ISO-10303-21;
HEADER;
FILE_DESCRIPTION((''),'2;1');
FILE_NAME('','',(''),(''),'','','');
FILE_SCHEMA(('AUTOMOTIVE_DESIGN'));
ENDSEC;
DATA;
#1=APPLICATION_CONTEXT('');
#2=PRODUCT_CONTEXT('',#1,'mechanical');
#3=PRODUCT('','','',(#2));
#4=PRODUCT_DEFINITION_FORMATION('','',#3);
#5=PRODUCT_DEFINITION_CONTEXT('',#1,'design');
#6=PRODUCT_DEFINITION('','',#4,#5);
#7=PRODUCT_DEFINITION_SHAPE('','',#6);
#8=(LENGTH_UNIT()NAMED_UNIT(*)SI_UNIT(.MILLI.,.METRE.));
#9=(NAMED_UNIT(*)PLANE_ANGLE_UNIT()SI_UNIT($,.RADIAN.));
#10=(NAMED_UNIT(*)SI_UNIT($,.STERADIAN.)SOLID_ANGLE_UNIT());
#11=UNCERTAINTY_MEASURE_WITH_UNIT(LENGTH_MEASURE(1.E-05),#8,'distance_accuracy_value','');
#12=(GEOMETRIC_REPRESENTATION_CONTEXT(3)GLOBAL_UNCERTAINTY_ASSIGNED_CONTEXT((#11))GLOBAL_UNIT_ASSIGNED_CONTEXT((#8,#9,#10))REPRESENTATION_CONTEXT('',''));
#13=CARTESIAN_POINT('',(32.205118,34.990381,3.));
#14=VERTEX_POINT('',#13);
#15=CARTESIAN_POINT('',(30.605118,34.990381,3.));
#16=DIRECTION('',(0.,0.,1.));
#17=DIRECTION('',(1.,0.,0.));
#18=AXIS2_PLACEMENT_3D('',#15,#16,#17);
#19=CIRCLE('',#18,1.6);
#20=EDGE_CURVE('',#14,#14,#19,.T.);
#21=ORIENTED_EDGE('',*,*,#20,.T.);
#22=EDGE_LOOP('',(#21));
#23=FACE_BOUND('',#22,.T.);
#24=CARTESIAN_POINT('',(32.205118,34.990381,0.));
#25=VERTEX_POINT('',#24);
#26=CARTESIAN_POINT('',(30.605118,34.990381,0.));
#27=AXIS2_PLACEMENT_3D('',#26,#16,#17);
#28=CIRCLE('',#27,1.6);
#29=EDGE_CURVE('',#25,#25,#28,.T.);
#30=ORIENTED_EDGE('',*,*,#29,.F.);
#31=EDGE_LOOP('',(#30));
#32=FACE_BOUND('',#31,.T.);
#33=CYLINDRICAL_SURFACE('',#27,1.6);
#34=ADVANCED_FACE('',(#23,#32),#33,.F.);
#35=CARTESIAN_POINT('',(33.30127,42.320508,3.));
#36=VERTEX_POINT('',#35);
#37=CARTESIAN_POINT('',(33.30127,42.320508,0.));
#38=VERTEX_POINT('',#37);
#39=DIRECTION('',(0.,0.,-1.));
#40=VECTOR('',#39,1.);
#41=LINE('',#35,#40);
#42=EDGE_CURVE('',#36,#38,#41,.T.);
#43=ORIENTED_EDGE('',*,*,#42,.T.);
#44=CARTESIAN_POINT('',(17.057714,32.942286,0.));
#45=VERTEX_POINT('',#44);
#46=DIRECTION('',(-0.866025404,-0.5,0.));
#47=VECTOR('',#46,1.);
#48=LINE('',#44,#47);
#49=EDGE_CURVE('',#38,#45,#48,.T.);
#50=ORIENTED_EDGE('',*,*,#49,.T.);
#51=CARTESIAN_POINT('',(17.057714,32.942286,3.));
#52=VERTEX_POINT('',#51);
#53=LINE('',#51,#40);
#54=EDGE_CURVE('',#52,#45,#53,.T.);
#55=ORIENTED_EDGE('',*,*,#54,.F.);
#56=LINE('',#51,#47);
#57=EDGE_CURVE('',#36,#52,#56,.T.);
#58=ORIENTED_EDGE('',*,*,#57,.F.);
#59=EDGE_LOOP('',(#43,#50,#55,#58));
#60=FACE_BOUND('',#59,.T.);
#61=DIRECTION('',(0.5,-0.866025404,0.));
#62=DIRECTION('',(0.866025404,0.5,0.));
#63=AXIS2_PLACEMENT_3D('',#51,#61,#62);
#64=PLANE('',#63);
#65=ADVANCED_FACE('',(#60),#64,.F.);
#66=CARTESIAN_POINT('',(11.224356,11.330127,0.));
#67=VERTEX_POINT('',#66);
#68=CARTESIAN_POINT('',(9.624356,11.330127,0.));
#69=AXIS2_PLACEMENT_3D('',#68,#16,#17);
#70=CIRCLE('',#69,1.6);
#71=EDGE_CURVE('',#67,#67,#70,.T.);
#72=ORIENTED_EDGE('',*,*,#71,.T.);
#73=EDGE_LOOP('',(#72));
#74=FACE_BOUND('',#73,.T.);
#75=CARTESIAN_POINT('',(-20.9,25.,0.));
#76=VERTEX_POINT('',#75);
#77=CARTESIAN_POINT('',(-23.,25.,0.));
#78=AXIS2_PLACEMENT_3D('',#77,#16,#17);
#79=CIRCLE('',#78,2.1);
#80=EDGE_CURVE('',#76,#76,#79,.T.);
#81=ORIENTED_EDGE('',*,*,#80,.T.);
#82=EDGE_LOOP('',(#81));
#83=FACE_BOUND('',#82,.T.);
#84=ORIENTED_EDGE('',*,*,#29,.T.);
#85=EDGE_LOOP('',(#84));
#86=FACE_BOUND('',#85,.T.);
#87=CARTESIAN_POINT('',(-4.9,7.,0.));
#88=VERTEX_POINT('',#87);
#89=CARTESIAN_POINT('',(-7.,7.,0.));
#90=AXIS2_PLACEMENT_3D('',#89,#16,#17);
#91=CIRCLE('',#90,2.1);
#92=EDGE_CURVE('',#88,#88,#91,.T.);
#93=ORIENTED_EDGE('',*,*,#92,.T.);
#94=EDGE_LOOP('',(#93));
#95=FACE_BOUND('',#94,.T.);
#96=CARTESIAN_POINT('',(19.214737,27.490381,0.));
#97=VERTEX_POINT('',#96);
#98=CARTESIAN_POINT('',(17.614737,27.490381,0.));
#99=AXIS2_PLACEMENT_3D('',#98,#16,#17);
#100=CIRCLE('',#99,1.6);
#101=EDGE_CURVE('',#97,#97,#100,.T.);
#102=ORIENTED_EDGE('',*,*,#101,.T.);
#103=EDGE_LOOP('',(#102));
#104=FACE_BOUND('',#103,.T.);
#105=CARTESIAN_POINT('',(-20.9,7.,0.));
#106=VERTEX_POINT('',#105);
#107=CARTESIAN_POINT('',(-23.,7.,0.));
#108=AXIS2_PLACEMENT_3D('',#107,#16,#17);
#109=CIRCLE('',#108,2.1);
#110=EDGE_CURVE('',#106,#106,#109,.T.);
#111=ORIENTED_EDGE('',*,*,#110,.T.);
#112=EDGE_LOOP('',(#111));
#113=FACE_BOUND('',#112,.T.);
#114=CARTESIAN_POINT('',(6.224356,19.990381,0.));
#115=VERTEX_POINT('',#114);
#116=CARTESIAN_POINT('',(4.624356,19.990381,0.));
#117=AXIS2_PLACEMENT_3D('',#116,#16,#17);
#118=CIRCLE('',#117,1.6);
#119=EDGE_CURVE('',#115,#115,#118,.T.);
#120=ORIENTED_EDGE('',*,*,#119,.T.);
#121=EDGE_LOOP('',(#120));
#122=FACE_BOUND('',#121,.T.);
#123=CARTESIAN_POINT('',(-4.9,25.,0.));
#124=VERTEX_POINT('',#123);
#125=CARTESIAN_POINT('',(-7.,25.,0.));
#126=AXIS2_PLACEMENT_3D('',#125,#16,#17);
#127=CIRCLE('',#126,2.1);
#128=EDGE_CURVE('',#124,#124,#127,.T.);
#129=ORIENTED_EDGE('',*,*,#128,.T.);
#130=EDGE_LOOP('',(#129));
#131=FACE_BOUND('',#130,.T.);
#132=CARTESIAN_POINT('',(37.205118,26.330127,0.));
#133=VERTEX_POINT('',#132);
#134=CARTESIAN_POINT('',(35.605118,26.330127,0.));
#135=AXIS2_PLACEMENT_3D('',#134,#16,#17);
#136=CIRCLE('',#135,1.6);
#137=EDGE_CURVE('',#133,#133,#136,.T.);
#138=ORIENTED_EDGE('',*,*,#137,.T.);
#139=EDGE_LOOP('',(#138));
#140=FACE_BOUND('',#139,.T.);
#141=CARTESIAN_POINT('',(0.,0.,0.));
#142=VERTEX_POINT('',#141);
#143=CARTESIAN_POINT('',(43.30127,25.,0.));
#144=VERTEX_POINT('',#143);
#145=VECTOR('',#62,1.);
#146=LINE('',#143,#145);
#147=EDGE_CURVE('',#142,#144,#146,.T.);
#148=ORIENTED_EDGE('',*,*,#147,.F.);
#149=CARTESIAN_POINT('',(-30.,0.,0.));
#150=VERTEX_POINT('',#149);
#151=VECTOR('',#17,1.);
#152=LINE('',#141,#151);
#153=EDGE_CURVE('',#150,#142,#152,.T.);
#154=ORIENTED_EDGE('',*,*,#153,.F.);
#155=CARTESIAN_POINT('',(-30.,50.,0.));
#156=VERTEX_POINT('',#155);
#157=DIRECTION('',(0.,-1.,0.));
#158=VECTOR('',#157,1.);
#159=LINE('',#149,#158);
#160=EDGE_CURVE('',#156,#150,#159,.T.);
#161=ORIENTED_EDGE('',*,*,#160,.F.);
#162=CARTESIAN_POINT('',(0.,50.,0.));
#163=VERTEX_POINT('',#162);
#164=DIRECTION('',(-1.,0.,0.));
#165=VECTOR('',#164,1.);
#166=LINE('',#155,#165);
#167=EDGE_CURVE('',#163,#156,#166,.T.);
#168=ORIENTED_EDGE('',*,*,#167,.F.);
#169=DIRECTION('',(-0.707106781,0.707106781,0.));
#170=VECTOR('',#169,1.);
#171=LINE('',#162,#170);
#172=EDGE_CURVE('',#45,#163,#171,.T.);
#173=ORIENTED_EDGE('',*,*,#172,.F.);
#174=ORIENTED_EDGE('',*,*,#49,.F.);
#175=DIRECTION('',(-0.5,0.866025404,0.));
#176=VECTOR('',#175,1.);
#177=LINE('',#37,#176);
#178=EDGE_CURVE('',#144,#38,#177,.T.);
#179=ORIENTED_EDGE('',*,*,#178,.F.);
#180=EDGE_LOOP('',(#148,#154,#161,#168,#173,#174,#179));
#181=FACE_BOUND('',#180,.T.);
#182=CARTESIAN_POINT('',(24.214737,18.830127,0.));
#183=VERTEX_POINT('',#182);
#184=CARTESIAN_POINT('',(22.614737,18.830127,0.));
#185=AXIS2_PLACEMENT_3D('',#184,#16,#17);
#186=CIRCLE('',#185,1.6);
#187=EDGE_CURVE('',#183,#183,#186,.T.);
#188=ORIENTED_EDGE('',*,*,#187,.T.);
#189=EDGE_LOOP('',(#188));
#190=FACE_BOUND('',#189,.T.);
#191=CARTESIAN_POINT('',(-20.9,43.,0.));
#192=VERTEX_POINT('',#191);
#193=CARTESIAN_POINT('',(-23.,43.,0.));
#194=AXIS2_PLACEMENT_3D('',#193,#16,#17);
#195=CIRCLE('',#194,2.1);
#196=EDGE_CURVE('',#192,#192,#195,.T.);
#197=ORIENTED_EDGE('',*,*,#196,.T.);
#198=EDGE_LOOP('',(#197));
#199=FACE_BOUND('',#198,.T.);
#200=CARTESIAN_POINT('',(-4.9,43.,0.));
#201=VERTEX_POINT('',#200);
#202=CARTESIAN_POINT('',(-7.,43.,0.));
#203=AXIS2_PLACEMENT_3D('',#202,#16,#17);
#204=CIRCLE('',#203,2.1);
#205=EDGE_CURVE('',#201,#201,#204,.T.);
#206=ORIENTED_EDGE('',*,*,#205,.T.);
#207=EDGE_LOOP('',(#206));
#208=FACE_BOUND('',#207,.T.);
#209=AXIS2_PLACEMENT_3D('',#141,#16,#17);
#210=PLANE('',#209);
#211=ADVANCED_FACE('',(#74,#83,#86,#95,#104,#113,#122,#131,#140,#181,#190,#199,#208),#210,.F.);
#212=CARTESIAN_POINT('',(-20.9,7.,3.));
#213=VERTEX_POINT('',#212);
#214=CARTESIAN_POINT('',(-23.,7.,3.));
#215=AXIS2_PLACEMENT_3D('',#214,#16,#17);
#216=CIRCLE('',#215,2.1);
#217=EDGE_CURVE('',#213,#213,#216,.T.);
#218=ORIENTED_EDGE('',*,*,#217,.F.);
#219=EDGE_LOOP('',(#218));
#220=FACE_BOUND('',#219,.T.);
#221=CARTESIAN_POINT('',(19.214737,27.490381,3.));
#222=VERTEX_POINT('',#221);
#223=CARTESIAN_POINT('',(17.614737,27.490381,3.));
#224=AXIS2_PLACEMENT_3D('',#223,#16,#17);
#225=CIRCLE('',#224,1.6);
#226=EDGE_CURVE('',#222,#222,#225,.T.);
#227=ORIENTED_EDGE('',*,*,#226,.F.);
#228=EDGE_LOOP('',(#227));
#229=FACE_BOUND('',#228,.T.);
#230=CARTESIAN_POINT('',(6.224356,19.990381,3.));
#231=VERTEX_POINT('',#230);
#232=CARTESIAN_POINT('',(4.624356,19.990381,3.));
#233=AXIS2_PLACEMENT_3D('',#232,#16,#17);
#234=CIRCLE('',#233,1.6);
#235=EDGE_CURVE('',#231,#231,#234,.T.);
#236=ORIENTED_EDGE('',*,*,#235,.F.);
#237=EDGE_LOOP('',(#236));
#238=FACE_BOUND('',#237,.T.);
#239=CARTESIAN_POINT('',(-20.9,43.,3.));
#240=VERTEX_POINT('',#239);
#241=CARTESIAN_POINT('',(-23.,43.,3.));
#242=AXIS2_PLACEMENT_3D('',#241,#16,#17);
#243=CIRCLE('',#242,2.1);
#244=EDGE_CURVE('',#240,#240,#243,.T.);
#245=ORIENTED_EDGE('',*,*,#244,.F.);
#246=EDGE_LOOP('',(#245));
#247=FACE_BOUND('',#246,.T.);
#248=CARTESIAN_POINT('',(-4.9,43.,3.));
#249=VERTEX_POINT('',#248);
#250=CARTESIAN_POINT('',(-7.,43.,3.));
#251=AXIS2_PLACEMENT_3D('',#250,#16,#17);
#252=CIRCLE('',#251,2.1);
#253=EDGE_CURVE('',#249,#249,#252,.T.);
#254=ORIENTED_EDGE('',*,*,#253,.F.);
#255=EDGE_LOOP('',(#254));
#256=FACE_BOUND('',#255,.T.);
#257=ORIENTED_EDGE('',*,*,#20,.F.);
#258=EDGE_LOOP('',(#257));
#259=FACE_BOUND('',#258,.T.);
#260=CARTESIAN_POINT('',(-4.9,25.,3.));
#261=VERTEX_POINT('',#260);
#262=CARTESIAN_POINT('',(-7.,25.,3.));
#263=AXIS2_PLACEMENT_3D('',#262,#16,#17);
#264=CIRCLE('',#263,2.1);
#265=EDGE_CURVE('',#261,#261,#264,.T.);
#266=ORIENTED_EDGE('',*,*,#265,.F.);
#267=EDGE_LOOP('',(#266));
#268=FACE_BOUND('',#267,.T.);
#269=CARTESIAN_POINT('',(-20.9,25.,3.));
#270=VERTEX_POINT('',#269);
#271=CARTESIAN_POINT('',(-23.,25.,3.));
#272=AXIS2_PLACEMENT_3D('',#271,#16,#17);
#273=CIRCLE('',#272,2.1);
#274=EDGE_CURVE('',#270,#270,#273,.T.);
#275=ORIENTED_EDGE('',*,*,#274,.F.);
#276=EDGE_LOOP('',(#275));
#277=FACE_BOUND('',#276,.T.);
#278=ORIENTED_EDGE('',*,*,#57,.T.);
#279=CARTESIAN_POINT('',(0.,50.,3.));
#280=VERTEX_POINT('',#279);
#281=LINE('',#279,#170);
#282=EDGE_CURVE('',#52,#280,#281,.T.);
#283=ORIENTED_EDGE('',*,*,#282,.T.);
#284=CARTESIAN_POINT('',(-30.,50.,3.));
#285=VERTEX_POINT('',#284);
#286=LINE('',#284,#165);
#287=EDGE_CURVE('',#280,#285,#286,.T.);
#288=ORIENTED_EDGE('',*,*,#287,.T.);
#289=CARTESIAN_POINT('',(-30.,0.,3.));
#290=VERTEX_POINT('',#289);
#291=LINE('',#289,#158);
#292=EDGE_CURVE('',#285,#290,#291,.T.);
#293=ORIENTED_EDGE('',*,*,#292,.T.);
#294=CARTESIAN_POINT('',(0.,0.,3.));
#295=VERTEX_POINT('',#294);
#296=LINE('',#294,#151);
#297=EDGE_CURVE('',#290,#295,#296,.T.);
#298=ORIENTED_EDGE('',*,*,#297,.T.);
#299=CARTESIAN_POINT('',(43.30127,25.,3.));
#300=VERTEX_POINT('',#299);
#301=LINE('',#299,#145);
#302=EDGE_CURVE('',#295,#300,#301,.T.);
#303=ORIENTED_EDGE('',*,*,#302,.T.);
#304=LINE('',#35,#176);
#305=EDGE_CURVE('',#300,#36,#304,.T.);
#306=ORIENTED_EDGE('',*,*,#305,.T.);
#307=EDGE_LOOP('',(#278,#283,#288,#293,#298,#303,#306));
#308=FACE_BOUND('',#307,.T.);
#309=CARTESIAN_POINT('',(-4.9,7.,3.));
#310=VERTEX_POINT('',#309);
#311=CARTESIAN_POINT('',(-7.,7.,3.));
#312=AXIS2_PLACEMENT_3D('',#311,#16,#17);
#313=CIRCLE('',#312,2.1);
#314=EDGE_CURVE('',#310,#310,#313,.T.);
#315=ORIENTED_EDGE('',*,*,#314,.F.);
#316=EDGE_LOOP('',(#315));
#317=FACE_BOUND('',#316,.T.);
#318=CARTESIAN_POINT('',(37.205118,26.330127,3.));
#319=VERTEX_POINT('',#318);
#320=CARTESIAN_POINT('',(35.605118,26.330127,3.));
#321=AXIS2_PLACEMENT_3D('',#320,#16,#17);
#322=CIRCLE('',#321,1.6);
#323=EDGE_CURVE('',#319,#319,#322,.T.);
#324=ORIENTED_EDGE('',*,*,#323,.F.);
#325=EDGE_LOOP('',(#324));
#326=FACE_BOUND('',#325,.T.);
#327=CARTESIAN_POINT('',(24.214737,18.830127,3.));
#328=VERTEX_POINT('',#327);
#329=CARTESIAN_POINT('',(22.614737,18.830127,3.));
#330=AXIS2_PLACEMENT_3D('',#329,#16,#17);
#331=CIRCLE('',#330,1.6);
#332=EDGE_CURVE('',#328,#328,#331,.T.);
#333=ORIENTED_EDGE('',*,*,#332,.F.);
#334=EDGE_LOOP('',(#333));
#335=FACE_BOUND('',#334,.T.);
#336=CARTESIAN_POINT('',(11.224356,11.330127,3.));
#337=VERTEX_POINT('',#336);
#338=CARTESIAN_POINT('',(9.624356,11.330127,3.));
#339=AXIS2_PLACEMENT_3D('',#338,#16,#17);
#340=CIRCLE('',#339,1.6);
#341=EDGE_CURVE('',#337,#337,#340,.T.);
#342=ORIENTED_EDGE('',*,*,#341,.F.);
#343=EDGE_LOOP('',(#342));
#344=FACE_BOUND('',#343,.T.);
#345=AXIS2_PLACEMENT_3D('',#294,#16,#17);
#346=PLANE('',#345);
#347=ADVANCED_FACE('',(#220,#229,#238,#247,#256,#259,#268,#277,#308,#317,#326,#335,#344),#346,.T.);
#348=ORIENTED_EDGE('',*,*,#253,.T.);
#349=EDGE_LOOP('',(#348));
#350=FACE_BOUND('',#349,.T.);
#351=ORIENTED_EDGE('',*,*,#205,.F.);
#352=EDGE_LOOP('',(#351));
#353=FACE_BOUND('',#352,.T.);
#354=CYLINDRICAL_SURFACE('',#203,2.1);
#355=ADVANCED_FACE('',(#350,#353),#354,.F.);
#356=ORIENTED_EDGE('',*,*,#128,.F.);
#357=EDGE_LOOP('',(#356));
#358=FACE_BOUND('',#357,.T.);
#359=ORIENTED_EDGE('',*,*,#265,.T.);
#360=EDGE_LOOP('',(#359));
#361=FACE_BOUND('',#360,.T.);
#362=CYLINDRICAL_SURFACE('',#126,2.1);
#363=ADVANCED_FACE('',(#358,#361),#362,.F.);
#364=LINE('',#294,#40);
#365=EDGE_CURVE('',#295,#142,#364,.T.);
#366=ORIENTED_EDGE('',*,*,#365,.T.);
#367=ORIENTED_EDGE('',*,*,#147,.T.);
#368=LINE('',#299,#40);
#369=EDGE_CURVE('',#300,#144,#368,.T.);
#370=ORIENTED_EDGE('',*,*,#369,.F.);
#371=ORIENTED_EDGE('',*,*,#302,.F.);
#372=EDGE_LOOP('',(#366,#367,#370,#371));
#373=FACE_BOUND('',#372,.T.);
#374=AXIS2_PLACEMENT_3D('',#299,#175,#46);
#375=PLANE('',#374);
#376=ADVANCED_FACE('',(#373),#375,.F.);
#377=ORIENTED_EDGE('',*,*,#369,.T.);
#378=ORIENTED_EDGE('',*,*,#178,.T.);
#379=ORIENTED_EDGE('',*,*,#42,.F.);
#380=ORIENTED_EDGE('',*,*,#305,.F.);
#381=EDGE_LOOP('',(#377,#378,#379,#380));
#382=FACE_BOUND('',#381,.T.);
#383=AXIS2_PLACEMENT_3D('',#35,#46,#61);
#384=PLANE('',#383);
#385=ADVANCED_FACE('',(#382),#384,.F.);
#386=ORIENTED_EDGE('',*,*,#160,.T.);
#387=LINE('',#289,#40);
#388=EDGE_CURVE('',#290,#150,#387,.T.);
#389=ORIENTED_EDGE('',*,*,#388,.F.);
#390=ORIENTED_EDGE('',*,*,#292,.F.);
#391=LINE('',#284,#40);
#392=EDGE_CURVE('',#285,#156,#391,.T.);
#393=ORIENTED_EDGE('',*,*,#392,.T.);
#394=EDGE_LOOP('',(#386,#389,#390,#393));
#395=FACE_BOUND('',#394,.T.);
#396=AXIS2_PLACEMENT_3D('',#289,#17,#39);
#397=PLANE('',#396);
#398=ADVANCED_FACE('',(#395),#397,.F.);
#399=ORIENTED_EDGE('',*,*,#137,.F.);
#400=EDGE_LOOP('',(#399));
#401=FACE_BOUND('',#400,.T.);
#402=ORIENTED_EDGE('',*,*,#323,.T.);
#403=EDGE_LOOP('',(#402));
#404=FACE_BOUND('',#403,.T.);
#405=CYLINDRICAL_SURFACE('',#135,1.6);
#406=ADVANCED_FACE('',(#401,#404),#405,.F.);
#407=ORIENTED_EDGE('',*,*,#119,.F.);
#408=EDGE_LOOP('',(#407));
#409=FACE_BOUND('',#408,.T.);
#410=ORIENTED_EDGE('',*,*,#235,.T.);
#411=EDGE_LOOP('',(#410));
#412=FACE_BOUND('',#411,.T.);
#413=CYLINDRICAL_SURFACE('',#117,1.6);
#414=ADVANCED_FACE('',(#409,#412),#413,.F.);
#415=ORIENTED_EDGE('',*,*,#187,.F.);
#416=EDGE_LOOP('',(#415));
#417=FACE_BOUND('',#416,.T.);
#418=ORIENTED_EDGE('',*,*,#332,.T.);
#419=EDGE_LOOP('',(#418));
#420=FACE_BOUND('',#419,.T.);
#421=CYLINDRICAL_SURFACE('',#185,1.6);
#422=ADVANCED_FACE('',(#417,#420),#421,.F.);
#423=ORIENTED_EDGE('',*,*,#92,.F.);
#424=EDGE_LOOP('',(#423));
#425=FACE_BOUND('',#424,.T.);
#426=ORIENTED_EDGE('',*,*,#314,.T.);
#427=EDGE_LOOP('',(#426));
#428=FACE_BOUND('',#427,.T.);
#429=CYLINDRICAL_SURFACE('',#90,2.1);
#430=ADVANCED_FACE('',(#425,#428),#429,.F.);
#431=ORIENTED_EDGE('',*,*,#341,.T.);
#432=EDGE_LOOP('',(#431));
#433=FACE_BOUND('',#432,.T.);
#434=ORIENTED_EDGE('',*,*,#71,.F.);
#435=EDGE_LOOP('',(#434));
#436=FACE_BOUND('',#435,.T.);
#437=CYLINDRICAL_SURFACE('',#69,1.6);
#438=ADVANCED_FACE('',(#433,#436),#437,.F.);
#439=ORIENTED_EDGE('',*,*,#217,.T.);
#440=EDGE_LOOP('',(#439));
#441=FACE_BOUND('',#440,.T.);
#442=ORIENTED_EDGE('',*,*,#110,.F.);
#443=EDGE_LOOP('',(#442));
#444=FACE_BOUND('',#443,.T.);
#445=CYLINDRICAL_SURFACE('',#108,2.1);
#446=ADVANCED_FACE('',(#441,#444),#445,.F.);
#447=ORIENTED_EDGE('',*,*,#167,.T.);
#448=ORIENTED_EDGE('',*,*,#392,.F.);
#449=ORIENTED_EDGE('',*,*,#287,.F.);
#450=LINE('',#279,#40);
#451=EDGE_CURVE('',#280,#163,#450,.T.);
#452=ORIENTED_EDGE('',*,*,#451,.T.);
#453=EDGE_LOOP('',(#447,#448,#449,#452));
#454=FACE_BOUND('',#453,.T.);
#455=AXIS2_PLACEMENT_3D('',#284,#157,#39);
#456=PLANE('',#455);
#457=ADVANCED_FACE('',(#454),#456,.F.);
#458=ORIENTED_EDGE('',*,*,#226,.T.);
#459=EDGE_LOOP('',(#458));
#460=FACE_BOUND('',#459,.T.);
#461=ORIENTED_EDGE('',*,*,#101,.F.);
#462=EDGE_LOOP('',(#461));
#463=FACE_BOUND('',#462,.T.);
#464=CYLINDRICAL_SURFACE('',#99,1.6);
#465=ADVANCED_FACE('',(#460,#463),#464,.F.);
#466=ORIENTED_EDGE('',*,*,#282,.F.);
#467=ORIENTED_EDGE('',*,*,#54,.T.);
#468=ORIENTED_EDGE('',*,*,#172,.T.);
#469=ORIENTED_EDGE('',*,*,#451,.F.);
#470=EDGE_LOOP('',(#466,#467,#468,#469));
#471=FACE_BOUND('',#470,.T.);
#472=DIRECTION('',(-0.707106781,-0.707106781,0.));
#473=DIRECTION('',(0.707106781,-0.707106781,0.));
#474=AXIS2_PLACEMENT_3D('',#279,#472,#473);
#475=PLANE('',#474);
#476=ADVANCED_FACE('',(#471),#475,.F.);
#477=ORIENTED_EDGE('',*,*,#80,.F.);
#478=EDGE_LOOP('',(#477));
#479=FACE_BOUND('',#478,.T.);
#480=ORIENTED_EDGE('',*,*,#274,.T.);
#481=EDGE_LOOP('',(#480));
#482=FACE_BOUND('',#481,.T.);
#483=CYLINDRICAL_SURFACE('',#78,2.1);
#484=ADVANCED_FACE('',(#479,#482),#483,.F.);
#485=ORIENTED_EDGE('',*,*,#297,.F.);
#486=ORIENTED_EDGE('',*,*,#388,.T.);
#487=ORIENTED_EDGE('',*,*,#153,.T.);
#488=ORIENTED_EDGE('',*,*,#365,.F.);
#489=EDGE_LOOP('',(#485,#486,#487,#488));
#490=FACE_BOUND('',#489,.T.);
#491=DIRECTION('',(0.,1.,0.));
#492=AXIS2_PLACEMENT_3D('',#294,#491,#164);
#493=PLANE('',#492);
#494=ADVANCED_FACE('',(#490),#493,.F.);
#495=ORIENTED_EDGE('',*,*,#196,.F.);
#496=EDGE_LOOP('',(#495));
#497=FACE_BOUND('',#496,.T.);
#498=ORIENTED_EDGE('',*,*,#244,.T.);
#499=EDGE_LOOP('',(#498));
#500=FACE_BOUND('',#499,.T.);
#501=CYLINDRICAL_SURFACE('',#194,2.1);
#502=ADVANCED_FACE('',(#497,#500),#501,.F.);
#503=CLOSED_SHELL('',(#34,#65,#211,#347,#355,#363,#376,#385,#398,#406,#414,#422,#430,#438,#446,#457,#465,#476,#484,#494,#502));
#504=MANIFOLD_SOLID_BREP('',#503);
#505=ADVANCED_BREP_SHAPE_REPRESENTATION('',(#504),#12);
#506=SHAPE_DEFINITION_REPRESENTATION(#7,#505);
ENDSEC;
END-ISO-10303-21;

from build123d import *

# Parameters (mm, degrees)
EXTRUDE_1_DEPTH     = 3
SKETCH_2_R          = 2.1
SKETCH_2_R_2        = 1.6
CUT_EXTRUDE_1_DEPTH = 67.211781429


with BuildPart() as part:
    # 草图1 → 凸台-拉伸1 (new body)
    with BuildSketch(Plane.XY):
        Polygon((0, 0), (-30, 0), (-30, 50), (0, 50), (17.057713659, 32.942286341), (33.301270189, 42.320508076), (43.301270189, 25), align=None)
    extrude(amount=EXTRUDE_1_DEPTH)

    # 草图2 → 切除-拉伸1 (cut, through all)
    with BuildSketch(Plane.XY.offset(3)):
        with Locations((-23, 43)):
            Circle(SKETCH_2_R)
        with Locations((-7, 43)):
            Circle(SKETCH_2_R)
        with Locations((-23, 7)):
            Circle(SKETCH_2_R)
        with Locations((-7, 7)):
            Circle(SKETCH_2_R)
        with Locations((-23, 25)):
            Circle(SKETCH_2_R)
        with Locations((-7, 25)):
            Circle(SKETCH_2_R)
        with Locations((30.605117767, 34.990381057)):
            Circle(SKETCH_2_R_2)
        with Locations((35.605117767, 26.330127019)):
            Circle(SKETCH_2_R_2)
        with Locations((22.61473671, 18.830127019)):
            Circle(SKETCH_2_R_2)
        with Locations((17.61473671, 27.490381057)):
            Circle(SKETCH_2_R_2)
        with Locations((4.624355653, 19.990381057)):
            Circle(SKETCH_2_R_2)
        with Locations((9.624355653, 11.330127019)):
            Circle(SKETCH_2_R_2)
    extrude(amount=-CUT_EXTRUDE_1_DEPTH, mode=Mode.SUBTRACT)


solid = part.part
